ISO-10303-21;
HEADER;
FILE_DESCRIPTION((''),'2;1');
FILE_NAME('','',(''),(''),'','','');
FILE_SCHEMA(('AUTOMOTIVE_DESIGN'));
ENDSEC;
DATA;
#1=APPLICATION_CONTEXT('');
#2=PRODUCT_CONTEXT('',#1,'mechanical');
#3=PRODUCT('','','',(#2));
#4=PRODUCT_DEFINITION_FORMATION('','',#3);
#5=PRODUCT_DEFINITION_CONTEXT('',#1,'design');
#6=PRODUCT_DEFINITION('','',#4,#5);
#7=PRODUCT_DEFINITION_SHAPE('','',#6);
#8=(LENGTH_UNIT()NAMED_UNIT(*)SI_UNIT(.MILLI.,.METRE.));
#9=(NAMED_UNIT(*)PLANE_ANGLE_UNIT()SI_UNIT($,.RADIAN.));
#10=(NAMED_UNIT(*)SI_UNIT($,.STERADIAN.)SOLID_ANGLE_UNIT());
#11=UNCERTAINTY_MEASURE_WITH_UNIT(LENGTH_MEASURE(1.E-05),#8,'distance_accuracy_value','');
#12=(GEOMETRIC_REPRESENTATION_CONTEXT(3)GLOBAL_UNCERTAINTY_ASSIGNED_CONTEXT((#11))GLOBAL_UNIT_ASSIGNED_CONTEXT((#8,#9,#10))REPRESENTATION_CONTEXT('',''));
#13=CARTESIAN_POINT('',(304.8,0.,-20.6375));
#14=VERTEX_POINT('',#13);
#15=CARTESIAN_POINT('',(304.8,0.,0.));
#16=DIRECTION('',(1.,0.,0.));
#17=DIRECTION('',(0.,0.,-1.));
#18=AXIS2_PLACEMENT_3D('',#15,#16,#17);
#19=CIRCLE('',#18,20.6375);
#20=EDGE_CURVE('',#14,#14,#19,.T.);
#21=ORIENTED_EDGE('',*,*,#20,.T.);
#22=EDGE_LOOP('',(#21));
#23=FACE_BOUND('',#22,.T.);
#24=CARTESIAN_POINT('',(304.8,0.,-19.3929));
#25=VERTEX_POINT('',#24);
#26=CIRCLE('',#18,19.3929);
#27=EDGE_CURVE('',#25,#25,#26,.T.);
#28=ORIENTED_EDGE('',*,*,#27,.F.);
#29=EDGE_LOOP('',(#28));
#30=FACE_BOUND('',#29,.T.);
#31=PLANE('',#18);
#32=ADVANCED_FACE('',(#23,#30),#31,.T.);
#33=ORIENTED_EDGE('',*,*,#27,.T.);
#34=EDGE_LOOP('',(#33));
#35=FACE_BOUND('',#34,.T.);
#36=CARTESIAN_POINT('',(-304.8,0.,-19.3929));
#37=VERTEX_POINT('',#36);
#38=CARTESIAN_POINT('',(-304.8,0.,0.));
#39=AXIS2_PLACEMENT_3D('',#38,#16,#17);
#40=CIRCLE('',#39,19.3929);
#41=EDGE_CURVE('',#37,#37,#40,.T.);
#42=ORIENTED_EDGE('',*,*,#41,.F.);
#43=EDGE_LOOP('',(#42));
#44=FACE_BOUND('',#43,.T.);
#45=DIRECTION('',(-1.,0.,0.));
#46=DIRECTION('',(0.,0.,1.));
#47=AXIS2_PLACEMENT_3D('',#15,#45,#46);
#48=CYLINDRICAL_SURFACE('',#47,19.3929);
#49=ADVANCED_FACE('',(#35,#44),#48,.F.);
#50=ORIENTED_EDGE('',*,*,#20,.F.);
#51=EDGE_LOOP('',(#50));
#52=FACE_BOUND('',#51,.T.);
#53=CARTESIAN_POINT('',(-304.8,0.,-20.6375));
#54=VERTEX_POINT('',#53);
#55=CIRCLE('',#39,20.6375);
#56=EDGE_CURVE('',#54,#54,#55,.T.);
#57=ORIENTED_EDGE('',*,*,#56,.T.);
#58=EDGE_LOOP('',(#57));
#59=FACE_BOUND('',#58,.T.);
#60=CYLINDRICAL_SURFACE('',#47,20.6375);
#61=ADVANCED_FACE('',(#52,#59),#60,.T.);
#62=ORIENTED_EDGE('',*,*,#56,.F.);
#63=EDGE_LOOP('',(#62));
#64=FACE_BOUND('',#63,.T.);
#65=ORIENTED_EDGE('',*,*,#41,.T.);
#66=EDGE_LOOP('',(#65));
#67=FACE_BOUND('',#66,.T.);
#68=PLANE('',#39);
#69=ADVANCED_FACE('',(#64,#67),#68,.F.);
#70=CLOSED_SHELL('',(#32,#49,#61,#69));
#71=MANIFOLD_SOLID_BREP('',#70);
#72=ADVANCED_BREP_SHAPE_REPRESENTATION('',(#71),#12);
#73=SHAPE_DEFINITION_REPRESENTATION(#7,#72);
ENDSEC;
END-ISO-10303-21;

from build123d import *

# Parameters (mm, degrees)
SKETCH1_R      = 20.6375
SKETCH1_R_2    = 19.3929
EXTRUDE1_DEPTH = 304.8


with BuildPart() as part:
    # Sketch1 → Extrude1 (new body, symmetric)
    with BuildSketch(Plane(origin=(0, 0, 0), x_dir=(0, 0, -1), z_dir=(1, 0, 0))):
        Circle(SKETCH1_R)
        Circle(SKETCH1_R_2, mode=Mode.SUBTRACT)
    extrude(amount=EXTRUDE1_DEPTH, both=True)


solid = part.part
